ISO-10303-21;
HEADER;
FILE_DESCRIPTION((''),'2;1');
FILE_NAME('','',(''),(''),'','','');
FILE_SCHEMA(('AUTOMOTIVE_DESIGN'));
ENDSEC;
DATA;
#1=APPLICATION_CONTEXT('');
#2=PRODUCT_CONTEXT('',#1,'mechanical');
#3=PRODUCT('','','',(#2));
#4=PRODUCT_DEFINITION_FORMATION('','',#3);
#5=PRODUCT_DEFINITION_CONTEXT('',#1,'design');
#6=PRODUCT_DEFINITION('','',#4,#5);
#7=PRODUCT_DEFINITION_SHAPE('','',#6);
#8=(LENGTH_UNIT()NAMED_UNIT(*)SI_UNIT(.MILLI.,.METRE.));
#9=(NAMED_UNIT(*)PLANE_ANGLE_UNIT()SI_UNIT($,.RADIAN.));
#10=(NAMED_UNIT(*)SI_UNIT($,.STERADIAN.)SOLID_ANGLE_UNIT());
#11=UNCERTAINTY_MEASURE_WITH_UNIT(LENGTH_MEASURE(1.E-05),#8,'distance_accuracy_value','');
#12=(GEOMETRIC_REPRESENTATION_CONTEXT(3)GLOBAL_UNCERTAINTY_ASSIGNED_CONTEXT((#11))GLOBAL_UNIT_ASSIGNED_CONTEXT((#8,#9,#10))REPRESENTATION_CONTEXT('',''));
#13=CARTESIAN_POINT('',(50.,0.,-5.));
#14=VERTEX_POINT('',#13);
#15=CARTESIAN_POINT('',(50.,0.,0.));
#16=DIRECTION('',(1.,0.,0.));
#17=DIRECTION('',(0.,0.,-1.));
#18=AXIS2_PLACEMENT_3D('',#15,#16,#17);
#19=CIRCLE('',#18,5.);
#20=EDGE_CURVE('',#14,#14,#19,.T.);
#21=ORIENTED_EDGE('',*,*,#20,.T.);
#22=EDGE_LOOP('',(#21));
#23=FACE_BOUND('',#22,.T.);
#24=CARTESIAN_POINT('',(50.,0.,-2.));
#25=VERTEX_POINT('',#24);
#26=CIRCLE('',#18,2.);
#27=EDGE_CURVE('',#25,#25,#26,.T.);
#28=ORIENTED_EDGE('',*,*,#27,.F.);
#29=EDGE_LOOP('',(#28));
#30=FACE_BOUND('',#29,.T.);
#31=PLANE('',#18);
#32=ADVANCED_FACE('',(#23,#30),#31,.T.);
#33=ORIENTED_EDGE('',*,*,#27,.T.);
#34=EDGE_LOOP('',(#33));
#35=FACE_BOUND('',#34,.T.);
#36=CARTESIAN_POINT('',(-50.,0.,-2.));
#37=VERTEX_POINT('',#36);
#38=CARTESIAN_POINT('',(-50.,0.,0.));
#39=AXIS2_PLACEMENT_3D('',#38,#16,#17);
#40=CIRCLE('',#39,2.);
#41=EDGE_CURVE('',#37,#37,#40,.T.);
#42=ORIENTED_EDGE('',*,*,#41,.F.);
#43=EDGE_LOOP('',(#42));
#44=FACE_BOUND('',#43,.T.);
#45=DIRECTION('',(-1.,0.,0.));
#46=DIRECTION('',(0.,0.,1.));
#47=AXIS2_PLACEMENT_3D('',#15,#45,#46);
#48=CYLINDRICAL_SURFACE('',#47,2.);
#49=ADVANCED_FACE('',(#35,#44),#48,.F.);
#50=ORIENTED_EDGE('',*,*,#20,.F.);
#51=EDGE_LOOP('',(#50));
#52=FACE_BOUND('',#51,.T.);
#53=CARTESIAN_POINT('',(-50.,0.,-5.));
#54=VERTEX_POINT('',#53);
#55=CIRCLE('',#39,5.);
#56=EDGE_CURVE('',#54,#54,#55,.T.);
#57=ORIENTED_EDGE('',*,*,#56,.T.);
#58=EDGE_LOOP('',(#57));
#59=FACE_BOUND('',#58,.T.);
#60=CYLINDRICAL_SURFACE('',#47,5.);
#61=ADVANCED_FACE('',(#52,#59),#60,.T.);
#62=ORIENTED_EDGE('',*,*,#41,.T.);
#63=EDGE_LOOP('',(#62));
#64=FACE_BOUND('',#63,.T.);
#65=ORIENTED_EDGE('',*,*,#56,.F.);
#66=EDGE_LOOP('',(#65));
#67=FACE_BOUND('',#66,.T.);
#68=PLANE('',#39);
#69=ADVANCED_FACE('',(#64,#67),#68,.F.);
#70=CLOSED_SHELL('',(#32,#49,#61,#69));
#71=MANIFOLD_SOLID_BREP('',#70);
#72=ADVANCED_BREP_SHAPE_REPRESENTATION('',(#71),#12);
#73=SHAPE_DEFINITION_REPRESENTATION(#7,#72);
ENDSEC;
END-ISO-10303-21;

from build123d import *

# Parameters (mm, degrees)
SKETCH_1_R      = 5
SKETCH_1_R_2    = 2
EXTRUDE_1_DEPTH = 50


with BuildPart() as part:
    # 草图1 → 凸台-拉伸1 (new, symmetric)
    with BuildSketch(Plane(origin=(0, 0, 0), x_dir=(0, 0, -1), z_dir=(1, 0, 0))):
        Circle(SKETCH_1_R)
        Circle(SKETCH_1_R_2, mode=Mode.SUBTRACT)
    extrude(amount=EXTRUDE_1_DEPTH, both=True)


solid = part.part
